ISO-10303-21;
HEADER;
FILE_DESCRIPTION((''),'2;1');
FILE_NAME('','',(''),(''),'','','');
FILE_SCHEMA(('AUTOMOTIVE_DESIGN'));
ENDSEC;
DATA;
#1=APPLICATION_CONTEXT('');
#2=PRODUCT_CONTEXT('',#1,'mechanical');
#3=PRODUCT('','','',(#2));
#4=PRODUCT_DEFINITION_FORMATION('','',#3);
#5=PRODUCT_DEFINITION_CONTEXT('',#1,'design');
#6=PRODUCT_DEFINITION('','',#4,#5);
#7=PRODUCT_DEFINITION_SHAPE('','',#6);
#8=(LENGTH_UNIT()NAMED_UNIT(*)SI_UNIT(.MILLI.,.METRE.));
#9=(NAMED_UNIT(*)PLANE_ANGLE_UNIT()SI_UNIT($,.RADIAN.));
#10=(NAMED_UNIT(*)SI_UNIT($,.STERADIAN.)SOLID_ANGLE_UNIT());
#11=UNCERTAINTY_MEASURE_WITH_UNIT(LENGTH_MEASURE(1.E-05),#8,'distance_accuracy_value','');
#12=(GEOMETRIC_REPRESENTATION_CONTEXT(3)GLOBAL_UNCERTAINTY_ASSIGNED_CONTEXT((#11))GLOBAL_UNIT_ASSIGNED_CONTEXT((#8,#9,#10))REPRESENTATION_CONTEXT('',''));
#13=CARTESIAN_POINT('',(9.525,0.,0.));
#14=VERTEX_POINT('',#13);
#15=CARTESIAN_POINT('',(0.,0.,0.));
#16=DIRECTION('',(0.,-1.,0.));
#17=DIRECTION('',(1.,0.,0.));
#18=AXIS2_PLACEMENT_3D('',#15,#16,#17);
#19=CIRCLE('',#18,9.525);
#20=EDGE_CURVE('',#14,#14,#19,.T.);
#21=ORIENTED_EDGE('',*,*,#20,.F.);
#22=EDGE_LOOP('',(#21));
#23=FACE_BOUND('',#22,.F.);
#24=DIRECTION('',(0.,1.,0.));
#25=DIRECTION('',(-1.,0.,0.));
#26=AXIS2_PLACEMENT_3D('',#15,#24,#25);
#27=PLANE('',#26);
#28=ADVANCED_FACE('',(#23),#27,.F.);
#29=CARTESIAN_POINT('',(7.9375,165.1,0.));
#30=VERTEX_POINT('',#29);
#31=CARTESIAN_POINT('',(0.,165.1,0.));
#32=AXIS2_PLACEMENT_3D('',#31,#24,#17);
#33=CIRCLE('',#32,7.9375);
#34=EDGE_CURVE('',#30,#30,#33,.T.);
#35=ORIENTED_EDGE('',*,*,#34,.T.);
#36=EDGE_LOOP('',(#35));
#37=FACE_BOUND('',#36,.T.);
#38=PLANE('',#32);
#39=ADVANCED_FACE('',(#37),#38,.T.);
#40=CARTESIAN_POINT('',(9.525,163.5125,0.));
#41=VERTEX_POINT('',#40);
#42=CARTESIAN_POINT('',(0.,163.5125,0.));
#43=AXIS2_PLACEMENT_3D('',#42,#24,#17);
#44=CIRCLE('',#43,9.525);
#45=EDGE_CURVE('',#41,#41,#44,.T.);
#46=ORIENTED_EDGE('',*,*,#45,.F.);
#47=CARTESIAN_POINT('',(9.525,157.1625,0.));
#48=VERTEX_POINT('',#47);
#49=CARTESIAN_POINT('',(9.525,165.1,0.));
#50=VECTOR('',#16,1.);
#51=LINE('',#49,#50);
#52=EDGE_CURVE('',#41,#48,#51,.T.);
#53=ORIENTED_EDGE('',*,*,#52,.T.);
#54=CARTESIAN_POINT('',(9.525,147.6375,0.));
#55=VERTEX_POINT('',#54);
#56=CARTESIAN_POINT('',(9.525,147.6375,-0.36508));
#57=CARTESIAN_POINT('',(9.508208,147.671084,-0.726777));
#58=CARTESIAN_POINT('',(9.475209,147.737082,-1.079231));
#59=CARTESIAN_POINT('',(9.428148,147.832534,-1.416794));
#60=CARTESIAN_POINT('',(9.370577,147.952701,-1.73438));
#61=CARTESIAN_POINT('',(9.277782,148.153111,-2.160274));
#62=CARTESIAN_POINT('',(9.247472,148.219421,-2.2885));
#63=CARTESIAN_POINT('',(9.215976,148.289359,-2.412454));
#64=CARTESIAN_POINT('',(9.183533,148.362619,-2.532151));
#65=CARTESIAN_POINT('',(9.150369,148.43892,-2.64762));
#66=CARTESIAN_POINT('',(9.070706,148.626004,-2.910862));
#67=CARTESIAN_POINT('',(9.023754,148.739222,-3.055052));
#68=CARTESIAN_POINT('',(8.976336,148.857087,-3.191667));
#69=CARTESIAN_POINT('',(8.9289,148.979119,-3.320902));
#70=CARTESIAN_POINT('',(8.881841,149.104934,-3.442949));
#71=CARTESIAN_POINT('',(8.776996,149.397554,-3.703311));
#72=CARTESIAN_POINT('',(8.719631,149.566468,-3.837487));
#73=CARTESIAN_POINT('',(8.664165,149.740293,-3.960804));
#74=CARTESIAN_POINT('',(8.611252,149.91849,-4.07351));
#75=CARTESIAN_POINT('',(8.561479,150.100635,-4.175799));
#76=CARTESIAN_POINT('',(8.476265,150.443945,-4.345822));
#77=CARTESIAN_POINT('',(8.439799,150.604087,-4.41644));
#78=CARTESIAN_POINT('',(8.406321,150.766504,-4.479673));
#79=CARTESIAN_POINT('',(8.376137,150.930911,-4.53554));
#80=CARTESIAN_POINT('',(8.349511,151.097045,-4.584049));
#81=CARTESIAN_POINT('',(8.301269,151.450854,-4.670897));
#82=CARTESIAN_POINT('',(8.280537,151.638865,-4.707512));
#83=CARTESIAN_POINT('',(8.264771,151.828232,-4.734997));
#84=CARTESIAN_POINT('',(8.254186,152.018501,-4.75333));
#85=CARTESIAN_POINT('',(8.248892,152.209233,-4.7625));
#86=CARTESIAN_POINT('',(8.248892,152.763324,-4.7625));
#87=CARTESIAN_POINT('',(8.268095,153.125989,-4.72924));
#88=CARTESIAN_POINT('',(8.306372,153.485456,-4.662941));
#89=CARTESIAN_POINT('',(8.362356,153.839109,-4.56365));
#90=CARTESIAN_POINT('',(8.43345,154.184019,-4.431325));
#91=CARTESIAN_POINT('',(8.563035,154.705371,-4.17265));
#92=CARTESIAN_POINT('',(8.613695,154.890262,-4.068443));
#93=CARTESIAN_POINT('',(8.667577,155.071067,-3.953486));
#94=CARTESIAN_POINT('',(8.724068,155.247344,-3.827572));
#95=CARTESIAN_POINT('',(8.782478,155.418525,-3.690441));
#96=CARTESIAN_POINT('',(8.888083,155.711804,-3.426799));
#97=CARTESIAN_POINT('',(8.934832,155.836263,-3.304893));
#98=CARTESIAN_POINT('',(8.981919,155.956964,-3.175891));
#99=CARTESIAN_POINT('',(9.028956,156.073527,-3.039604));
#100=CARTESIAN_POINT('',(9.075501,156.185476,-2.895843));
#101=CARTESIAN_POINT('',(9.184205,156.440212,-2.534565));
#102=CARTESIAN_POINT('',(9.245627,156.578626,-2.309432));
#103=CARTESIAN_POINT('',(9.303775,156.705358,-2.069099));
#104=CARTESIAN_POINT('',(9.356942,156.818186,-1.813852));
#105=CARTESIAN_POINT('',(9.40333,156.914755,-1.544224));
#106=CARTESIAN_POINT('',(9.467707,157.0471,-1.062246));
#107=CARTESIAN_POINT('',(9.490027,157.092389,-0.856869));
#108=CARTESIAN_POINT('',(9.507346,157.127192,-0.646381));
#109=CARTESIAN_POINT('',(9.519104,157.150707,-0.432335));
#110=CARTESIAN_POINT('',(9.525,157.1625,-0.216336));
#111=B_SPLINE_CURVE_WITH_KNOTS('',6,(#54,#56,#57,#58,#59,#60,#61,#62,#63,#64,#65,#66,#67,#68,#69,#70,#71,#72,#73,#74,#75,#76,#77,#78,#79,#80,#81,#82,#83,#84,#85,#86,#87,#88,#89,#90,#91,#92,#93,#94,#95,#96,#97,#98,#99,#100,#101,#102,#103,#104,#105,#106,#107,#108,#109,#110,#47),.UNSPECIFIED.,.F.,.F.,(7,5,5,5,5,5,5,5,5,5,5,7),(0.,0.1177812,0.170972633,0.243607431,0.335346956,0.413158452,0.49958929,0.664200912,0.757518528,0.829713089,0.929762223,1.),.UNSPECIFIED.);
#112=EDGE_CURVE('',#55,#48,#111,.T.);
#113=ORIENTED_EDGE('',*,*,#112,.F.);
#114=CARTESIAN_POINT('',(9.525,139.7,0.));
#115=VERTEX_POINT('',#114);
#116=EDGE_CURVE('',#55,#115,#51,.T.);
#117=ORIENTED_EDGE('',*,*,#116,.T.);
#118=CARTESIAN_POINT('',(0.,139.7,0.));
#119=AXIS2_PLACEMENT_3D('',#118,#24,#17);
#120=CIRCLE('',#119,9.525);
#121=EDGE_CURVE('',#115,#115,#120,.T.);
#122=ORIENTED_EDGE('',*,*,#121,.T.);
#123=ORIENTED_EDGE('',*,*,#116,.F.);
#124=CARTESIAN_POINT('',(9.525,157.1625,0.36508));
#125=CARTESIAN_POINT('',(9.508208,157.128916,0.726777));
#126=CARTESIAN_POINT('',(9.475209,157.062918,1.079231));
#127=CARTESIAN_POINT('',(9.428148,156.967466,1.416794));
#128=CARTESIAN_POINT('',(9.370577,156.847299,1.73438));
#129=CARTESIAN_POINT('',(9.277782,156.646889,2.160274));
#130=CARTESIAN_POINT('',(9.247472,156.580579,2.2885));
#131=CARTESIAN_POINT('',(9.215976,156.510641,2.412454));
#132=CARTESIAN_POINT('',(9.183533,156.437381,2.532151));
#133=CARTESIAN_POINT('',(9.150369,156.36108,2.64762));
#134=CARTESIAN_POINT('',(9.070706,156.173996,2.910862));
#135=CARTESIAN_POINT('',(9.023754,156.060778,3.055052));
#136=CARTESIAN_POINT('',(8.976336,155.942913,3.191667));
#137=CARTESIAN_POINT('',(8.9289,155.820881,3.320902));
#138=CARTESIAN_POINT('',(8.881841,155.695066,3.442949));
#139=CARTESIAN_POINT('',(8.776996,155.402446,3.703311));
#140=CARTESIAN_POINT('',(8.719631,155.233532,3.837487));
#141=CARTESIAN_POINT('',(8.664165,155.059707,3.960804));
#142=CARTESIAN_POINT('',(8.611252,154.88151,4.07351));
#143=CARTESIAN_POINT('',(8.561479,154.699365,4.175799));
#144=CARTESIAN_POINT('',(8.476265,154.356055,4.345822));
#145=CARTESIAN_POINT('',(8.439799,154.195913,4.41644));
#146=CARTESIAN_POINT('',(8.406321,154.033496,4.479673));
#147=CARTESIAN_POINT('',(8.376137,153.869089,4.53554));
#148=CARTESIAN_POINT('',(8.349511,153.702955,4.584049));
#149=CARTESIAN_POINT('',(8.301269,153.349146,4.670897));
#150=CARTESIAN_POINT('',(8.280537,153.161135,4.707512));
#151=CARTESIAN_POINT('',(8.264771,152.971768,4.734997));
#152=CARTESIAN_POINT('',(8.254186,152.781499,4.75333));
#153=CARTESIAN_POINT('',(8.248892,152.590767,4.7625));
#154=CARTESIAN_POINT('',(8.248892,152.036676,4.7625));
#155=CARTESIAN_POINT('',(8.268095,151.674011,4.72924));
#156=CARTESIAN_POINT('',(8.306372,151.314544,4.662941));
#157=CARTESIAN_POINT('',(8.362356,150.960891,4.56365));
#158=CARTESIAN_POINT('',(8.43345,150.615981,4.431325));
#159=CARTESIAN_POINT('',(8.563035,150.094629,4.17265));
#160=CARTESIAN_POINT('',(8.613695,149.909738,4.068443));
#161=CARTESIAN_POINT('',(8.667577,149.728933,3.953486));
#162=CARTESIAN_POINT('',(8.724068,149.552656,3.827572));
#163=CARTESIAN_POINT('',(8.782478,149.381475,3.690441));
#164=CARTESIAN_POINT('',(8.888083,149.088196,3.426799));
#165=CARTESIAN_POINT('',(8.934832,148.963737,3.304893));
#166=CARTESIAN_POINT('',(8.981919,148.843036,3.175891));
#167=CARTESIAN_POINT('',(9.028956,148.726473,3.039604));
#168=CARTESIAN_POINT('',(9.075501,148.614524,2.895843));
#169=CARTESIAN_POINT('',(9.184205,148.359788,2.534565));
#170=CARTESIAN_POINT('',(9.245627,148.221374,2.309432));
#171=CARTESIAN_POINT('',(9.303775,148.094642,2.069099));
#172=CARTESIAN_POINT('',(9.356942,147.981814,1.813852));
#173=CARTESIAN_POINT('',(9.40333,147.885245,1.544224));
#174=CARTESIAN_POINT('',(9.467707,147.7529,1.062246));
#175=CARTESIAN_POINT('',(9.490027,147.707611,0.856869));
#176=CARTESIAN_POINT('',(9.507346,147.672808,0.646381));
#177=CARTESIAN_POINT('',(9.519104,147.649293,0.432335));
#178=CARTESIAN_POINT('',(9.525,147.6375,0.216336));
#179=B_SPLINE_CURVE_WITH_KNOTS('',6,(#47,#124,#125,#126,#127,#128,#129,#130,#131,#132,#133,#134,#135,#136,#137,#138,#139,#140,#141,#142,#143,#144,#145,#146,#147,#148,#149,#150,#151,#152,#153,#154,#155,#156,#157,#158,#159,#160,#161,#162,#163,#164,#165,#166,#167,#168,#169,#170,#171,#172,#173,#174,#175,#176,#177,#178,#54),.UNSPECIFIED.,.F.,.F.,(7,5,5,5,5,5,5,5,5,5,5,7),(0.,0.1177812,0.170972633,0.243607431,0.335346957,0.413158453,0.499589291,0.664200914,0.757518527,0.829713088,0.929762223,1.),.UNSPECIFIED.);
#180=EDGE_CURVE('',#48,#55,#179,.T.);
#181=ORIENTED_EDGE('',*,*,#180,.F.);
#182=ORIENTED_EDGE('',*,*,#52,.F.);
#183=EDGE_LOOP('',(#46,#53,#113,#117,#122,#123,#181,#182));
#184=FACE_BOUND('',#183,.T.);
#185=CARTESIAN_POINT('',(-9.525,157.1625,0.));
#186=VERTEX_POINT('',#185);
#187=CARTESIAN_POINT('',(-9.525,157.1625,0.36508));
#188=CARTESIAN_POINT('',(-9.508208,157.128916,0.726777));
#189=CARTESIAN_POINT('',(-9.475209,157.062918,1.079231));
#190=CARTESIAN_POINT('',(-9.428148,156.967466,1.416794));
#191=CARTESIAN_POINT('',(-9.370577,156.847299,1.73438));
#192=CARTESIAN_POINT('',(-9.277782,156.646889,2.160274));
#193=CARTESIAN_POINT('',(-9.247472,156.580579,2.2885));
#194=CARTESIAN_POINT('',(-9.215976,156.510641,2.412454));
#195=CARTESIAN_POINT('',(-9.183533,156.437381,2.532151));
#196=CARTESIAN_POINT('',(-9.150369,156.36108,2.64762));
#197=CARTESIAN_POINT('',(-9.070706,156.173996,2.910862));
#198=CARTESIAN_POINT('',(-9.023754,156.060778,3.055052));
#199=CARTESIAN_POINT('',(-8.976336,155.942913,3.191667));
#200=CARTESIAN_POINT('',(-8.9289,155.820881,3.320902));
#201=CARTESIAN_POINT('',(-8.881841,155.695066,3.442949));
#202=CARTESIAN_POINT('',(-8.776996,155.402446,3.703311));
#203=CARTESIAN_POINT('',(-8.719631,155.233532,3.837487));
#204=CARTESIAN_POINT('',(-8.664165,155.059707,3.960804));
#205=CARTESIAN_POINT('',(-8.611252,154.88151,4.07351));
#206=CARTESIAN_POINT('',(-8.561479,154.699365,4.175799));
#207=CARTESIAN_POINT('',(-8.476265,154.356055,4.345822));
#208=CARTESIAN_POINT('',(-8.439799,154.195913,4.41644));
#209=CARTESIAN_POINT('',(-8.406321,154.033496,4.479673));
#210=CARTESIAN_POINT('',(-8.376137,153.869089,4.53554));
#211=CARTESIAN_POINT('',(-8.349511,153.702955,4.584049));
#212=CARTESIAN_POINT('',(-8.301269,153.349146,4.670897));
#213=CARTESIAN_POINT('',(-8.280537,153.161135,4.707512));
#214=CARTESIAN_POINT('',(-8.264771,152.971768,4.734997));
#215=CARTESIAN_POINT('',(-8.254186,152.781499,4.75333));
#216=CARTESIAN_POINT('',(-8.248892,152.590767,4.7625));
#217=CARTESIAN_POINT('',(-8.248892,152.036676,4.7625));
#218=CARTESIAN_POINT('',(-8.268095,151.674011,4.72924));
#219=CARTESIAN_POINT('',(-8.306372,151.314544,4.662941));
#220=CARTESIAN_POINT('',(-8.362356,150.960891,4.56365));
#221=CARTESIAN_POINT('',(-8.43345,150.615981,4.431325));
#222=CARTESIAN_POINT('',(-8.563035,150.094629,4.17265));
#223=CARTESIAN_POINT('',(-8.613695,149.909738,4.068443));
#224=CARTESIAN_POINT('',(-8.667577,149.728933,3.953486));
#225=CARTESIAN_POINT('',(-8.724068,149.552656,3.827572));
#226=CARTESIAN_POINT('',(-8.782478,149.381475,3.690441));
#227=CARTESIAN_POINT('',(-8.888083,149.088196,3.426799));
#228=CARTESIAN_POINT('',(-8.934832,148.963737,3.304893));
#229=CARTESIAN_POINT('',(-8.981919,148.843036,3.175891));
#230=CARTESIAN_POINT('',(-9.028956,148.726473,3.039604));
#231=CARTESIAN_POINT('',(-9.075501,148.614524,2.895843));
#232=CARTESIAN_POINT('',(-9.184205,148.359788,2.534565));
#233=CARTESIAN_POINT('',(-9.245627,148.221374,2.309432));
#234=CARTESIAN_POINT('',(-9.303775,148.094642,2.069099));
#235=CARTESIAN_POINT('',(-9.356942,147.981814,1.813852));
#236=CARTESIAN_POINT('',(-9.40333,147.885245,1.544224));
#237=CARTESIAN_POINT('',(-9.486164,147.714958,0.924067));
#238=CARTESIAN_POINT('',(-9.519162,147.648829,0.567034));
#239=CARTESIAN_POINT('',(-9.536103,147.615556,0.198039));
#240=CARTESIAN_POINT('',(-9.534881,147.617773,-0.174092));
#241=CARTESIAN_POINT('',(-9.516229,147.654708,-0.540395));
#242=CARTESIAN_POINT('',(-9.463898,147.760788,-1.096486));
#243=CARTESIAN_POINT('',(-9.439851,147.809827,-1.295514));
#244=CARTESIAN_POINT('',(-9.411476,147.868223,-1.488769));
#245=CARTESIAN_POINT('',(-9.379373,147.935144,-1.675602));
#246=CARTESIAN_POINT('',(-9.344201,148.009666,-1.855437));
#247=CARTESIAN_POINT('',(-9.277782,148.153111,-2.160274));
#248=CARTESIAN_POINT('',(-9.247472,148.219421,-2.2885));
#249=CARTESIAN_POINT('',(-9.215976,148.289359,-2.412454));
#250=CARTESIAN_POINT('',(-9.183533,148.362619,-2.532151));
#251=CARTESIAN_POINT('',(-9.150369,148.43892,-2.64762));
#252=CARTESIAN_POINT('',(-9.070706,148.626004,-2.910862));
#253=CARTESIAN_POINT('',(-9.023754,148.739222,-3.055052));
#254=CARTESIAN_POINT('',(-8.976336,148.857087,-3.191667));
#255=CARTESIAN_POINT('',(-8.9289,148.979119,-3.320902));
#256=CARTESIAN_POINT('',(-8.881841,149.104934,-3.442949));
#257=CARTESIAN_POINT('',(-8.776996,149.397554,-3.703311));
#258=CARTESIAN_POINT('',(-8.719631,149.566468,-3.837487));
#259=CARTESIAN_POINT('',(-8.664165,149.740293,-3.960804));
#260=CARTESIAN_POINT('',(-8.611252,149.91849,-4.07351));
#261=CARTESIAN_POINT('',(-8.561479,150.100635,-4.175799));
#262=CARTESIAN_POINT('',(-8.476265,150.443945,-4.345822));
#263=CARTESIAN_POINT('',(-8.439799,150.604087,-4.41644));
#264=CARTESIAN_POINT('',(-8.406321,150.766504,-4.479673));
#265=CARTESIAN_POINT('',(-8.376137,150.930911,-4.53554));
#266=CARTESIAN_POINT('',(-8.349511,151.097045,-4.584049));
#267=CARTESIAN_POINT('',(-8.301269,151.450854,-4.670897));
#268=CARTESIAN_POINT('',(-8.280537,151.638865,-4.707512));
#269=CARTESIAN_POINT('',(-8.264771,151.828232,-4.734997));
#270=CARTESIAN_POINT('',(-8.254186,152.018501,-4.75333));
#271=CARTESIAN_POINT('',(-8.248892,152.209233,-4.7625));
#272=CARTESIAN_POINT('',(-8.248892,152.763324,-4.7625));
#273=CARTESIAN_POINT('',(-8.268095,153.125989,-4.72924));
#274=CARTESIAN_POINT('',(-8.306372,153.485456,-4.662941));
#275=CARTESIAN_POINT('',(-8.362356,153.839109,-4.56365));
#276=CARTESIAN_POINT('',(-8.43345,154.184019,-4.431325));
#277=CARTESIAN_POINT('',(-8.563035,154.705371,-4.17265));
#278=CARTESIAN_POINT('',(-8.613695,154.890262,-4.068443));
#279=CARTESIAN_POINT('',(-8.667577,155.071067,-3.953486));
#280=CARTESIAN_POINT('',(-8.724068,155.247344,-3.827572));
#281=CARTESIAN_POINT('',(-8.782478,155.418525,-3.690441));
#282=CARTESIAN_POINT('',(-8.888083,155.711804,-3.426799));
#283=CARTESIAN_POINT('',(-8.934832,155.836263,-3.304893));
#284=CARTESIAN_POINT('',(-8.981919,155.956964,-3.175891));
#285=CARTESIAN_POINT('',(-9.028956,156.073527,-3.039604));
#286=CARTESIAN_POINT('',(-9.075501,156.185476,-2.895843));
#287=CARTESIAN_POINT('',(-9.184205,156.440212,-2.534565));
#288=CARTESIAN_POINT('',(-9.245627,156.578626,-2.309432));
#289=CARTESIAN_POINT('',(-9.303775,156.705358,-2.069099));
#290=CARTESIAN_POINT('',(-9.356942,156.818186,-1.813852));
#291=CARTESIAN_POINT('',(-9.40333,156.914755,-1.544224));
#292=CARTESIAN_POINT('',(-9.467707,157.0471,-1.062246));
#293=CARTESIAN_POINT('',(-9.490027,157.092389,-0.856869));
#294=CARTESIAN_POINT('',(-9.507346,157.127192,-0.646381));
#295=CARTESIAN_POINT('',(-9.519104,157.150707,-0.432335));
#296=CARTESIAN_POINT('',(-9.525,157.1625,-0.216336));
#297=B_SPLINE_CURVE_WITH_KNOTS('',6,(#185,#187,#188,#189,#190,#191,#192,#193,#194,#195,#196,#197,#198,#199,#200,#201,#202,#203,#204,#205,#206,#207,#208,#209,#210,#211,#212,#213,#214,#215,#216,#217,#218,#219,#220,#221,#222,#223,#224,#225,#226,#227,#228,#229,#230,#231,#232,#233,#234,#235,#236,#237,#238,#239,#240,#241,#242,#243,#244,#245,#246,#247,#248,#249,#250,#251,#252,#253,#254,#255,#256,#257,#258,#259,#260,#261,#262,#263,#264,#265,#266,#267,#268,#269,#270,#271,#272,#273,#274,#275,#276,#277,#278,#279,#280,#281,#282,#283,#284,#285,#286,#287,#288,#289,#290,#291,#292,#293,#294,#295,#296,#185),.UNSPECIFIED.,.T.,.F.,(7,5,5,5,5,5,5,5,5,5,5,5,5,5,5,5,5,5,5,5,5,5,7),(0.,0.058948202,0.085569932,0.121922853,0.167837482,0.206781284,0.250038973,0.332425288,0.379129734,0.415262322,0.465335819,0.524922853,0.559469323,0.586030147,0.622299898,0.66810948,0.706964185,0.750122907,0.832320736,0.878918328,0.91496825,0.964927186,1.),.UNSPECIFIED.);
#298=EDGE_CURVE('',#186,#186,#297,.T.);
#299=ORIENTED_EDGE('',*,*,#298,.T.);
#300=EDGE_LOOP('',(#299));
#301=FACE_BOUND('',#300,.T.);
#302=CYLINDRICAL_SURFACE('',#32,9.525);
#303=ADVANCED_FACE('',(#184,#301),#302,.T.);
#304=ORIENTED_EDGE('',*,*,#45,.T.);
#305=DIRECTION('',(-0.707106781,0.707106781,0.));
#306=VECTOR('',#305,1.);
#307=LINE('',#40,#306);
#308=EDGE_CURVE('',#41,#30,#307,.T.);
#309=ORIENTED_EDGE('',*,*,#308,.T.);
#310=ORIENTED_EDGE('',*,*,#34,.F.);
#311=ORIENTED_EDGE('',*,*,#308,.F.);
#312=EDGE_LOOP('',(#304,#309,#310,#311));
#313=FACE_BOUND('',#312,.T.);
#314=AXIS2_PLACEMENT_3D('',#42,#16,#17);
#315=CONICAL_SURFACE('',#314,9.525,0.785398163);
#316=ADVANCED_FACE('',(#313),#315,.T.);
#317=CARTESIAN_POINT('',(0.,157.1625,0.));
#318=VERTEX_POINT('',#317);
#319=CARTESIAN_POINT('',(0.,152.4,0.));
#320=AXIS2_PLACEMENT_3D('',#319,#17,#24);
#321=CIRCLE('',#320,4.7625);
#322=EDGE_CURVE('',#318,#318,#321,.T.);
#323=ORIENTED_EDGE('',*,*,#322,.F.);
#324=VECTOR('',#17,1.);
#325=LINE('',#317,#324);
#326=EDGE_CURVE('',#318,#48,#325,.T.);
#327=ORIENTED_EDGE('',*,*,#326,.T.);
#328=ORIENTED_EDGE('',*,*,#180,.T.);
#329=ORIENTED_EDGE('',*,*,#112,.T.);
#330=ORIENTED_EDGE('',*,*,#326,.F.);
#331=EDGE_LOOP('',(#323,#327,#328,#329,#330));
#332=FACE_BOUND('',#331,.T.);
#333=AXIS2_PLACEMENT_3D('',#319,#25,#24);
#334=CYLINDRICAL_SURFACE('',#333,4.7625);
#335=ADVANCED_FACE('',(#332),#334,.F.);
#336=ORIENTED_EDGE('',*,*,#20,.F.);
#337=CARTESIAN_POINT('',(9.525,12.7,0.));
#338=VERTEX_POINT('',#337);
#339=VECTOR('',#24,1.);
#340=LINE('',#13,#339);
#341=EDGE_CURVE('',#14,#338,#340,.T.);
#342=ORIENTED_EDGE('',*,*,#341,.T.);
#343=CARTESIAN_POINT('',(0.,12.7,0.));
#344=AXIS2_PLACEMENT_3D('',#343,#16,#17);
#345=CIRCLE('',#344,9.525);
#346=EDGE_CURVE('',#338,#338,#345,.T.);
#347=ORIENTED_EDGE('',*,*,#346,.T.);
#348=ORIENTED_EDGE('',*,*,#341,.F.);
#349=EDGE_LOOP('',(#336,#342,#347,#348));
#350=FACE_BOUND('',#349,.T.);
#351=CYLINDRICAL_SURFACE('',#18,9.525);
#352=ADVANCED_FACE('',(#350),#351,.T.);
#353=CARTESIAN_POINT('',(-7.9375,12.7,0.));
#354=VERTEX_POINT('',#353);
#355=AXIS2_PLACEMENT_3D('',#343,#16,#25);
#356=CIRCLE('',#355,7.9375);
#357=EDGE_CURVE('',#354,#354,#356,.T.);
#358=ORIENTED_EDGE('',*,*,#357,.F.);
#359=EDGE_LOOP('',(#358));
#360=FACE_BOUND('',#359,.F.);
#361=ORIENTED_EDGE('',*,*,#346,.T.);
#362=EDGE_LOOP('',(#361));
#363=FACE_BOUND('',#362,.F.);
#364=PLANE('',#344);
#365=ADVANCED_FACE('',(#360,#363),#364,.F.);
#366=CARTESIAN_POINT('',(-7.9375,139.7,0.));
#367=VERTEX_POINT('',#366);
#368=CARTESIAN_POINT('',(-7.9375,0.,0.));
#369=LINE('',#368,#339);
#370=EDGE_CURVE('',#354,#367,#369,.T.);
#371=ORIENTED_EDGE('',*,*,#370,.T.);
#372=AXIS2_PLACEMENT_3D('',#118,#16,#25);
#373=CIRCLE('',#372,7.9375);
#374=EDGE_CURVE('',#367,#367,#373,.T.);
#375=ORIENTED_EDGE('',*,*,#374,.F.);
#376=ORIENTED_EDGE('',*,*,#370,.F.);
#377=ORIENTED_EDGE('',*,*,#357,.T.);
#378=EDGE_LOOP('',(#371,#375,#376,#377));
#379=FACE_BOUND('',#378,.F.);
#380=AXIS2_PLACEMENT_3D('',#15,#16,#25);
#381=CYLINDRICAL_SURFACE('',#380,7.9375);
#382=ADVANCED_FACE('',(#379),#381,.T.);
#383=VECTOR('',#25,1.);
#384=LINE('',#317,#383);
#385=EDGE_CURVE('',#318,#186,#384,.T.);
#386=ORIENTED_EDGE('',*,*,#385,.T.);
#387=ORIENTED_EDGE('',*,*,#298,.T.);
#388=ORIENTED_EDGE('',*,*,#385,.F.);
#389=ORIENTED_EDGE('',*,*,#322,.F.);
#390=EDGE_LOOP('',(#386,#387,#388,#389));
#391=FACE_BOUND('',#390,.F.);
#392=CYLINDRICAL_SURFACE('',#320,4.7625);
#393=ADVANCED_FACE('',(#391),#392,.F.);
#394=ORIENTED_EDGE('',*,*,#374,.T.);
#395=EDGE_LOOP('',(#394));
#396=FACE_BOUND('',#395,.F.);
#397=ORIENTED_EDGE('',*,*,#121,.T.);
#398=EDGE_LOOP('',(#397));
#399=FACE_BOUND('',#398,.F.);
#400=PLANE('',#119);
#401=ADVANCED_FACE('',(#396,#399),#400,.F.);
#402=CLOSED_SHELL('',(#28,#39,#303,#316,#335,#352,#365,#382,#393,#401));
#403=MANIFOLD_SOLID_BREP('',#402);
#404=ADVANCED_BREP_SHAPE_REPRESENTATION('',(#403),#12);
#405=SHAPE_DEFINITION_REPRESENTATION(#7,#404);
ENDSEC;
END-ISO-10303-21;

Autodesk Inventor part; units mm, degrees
ref_plane "YZ Plane" through (0, 0, 0) normal (1, 0, 0) x (0, 1, 0)
ref_plane "XZ Plane" through (0, 0, 0) normal (0, 1, 0) x (-1, 0, 0)
ref_plane "XY Plane" through (0, 0, 0) normal (0, 0, 1) x (1, 0, 0)
sketch "Boceto1" plane through (0, 0, 0) normal (0, 1, 0) x (-1, 0, 0)
  circle A0 centre (0, 0) radius 7.9375
  dimension "d0" = 15.875
extrude "Extrusión1" add sketch "Boceto1" along normal blind 165.1
sketch "Boceto2" plane through (0, 0, 0) normal (0, -1, 0) x (1, 0, 0)
  circle A0 centre (0, 0) radius 9.525
  dimension "d3" = 19.05
extrude "Extrusión2" add sketch "Boceto2" against normal blind 12.7
sketch "Boceto3" plane through (0, 165.1, 0) normal (0, 1, 0) x (1, 0, 0)
  circle A0 centre (0, 0) radius 9.525
  dimension "d6" = 19.05
extrude "Extrusión3" add sketch "Boceto3" against normal blind 25.4
chamfer "Chaflán1" distance 1.5875 angle 45 1 edges at (-9.525, 165.1, 0) measured on face at (0.831, 165.1, 0.7598)
sketch "Boceto4" plane through (0, 0, 0) normal (1, 0, 0) x (0, 1, 0)
  line L0 (165.1, 7.9375) -> (165.1, -7.9375) projected
  line L1 (165.1, 0) -> (139.7, 0)
  line L2 (139.7, 9.525) -> (139.7, -9.525) projected
  circle A0 centre (152.4, 0) radius 4.7625
  point P0 (0, 0)
  dimension "d12" = 9.525
extrude "Extrusión4" cut sketch "Boceto4" along normal mid plane 25.4
properties part number "Pieza7-Tarea1"
